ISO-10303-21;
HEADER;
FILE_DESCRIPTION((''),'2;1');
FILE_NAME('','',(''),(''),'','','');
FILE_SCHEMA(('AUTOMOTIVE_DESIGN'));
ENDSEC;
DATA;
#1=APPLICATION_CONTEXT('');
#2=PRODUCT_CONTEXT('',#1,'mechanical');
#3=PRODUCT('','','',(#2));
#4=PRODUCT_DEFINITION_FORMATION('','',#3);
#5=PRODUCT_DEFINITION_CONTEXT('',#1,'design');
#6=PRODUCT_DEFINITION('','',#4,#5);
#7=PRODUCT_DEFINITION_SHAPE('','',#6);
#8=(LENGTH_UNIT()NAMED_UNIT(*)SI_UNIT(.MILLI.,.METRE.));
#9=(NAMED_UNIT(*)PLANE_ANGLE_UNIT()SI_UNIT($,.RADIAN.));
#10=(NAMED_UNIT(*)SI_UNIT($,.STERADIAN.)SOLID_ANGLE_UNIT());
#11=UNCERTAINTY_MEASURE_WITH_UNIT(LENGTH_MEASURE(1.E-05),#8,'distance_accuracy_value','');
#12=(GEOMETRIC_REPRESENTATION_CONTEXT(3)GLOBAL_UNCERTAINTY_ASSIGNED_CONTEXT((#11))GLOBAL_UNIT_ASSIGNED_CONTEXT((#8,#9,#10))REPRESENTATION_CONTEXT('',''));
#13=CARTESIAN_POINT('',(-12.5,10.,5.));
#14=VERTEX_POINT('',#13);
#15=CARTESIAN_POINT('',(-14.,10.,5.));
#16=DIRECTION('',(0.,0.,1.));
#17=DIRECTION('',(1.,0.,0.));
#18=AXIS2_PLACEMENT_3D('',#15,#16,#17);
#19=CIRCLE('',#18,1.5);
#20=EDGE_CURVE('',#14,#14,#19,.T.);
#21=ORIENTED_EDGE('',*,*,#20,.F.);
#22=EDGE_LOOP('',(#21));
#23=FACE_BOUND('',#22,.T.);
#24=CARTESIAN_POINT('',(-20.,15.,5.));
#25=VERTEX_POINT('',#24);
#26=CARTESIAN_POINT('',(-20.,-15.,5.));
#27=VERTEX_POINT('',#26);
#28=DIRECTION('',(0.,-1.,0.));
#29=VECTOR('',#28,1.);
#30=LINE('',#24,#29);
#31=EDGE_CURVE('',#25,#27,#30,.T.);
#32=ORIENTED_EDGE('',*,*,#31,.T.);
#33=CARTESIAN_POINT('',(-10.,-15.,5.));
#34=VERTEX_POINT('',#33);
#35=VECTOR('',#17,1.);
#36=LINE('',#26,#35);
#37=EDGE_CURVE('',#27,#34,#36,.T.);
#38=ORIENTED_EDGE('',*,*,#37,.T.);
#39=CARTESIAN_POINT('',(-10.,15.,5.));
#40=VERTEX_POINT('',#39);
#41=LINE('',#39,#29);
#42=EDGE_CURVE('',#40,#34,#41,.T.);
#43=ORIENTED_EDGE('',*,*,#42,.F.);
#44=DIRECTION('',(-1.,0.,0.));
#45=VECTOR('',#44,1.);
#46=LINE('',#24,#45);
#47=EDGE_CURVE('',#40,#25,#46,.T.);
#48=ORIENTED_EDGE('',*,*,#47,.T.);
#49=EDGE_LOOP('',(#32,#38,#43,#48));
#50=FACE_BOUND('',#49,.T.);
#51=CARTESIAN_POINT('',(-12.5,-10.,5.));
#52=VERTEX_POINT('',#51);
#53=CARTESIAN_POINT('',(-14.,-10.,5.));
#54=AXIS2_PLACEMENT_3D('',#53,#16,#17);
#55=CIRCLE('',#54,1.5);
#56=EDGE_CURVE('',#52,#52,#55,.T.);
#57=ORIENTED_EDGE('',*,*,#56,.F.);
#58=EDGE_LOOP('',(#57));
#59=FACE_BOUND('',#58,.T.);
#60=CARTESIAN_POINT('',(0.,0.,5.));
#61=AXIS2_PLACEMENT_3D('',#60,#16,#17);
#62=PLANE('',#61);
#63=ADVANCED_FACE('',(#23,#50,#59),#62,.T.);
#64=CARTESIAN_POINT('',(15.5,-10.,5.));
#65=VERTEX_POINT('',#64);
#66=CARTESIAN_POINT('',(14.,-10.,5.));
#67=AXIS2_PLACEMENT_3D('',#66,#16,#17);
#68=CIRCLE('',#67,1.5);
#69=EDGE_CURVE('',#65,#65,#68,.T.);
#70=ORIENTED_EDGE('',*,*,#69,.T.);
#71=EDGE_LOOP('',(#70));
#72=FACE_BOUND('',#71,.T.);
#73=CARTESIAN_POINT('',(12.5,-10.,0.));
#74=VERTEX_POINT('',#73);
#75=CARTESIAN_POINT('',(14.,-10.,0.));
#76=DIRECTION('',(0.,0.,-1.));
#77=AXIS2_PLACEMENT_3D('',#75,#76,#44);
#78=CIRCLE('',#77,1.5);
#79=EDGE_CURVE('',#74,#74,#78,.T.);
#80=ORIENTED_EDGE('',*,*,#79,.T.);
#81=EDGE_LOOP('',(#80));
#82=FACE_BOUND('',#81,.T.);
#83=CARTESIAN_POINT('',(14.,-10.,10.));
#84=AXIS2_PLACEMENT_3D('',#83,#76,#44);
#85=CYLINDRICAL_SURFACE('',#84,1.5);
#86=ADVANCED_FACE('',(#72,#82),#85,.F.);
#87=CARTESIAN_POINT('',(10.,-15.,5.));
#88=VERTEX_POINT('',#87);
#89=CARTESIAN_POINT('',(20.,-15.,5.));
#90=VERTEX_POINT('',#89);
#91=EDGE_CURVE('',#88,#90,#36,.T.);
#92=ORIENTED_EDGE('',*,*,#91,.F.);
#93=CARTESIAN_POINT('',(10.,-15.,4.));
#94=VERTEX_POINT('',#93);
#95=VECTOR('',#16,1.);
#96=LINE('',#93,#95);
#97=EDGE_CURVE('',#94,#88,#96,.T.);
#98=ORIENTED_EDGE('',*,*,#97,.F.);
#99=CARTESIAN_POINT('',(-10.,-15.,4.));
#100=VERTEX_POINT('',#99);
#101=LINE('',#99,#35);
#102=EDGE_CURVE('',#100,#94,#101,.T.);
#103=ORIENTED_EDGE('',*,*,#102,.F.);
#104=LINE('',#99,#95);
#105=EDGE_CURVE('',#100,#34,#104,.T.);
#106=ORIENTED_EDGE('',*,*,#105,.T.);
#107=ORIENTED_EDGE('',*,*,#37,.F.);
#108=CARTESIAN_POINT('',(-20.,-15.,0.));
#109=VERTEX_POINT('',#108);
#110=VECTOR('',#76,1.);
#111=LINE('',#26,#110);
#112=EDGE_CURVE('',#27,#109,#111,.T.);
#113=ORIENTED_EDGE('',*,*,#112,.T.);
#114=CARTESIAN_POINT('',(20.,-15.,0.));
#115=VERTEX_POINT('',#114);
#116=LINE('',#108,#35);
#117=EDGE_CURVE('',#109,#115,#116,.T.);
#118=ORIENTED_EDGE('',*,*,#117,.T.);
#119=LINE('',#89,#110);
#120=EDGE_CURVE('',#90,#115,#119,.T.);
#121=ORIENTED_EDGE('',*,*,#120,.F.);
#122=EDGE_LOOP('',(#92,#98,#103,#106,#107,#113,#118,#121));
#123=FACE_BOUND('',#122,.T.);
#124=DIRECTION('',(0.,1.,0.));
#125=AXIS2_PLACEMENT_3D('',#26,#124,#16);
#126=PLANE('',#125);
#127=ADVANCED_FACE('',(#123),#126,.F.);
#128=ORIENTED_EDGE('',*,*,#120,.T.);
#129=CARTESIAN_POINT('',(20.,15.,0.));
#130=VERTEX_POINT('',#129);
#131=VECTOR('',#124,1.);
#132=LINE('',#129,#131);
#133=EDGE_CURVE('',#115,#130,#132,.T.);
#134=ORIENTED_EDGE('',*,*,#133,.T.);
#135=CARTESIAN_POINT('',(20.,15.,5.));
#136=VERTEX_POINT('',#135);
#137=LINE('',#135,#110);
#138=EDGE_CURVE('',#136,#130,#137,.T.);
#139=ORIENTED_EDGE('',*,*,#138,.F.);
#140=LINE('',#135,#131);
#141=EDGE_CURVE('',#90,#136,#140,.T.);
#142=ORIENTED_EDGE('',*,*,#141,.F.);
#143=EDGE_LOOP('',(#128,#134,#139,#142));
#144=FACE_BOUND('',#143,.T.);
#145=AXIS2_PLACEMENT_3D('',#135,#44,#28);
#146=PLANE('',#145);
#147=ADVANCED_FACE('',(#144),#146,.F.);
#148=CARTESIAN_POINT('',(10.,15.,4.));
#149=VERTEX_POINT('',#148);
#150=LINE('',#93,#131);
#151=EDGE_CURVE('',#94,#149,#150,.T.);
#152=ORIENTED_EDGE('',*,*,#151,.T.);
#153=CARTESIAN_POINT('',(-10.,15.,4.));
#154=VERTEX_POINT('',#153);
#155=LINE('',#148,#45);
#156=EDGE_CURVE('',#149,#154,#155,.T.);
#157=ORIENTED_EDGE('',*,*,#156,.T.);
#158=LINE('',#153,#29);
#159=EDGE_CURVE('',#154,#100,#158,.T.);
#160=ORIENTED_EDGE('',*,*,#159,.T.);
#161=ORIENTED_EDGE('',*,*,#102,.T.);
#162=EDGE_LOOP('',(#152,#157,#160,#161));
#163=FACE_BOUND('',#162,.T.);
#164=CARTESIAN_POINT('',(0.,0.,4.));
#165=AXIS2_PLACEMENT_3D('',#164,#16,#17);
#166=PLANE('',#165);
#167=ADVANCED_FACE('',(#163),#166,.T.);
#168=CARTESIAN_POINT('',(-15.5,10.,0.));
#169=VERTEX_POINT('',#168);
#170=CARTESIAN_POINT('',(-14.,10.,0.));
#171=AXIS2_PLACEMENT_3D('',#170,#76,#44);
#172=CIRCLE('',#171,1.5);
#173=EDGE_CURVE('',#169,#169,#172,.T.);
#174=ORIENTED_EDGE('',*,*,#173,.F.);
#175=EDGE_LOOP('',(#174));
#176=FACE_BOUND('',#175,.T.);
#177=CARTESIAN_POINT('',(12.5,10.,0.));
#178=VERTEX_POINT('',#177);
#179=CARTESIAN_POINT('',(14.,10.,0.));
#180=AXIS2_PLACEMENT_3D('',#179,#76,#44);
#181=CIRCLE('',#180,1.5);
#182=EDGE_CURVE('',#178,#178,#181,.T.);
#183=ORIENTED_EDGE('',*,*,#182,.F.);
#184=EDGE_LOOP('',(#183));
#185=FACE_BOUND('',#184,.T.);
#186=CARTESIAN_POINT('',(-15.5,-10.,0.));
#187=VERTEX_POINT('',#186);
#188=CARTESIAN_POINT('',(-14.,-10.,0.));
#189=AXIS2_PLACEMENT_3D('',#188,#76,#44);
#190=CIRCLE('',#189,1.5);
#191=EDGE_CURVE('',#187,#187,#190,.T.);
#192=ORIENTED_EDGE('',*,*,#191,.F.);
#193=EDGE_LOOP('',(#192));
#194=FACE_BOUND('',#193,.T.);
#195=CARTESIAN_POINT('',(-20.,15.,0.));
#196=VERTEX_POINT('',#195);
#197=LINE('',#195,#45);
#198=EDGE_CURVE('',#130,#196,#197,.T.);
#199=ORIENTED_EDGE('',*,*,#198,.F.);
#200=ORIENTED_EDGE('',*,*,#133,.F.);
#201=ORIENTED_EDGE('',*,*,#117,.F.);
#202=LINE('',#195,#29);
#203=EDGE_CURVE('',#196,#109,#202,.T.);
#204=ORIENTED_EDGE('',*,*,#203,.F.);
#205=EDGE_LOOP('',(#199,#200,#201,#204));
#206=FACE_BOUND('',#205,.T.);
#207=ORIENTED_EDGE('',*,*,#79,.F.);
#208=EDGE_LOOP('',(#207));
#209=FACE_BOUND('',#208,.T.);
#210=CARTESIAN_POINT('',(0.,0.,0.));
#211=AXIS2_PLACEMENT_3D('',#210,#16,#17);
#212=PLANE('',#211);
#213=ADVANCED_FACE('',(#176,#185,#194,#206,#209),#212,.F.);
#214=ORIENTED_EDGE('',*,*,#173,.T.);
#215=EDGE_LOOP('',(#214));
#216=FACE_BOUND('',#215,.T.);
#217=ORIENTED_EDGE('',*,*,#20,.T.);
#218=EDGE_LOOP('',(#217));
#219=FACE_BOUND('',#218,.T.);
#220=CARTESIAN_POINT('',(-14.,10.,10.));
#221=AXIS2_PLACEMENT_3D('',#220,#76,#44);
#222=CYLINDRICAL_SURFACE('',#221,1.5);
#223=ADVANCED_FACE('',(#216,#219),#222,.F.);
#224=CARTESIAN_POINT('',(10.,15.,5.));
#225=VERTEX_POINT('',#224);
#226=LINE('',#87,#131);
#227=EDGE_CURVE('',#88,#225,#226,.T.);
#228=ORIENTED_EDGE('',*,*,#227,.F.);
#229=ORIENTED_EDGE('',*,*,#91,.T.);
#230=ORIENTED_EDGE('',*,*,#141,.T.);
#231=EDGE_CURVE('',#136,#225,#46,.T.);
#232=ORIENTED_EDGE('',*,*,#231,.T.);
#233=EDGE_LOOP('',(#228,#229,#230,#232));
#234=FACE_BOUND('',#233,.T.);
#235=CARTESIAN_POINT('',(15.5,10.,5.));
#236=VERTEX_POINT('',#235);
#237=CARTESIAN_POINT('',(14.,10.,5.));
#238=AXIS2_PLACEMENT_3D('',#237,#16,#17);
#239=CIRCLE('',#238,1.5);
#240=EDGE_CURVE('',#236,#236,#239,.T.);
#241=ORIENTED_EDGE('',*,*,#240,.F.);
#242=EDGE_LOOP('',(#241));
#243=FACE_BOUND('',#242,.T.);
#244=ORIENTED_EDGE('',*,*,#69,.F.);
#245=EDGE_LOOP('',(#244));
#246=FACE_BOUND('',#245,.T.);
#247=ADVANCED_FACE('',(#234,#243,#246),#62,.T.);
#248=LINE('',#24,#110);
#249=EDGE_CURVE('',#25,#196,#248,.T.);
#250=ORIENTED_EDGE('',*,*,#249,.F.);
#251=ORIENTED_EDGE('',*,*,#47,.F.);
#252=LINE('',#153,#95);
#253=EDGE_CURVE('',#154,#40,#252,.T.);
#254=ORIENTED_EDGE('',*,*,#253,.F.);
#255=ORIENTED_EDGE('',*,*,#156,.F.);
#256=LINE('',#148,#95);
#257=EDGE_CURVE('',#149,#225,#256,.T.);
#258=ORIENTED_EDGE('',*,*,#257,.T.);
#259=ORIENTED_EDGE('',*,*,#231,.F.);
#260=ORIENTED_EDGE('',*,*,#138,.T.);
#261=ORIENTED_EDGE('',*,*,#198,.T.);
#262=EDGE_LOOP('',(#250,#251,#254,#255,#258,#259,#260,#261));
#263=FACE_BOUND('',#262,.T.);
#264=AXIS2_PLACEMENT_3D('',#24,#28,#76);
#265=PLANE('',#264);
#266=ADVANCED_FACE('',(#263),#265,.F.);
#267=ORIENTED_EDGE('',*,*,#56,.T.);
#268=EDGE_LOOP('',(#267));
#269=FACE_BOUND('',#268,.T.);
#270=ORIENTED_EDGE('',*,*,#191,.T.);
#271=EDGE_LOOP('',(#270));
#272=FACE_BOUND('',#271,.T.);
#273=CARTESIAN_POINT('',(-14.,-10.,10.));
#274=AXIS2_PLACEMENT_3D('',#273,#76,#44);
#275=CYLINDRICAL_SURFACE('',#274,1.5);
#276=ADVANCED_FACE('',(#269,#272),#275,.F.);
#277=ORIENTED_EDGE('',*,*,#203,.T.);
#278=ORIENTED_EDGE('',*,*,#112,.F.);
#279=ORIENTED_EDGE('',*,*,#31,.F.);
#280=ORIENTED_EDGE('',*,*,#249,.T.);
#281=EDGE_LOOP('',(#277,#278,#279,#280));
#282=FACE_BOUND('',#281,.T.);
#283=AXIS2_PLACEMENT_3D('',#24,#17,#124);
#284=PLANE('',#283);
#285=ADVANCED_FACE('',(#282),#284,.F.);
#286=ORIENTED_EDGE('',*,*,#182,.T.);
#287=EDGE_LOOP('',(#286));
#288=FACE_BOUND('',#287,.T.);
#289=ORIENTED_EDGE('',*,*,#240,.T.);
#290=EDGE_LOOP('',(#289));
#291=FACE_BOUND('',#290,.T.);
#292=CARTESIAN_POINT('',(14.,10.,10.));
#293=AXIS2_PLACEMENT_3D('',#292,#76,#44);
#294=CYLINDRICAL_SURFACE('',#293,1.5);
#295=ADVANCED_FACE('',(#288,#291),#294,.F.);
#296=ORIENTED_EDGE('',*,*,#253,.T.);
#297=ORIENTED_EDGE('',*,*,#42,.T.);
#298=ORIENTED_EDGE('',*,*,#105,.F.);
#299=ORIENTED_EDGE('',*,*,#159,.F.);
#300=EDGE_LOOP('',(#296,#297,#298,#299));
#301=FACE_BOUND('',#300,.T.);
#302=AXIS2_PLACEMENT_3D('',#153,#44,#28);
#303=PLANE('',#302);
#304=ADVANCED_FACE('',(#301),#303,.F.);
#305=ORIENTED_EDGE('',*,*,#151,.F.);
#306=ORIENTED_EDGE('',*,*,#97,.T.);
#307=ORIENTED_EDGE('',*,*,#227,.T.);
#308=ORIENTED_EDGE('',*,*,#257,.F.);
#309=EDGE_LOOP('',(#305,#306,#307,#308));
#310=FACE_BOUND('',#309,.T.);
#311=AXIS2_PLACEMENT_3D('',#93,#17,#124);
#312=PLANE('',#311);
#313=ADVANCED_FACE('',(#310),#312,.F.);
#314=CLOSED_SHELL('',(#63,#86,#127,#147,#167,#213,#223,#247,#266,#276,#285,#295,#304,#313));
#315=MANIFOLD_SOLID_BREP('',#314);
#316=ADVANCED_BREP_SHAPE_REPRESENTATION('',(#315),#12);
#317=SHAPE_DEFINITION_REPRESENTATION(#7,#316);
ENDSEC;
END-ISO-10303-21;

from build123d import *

# Parameters (mm, degrees)
SKETCH_1_W          = 40
SKETCH_1_H          = 30
EXTRUDE_1_DEPTH     = 5
SKETCH_2_R          = 1.5
CUT_EXTRUDE_1_DEPTH = 10
SKETCH_3_W          = 20
SKETCH_3_H          = 30
CUT_EXTRUDE_2_DEPTH = 1


with BuildPart() as part:
    # 草图1 → 凸台-拉伸1 (new body)
    with BuildSketch(Plane.XY):
        Rectangle(SKETCH_1_W, SKETCH_1_H)
    extrude(amount=EXTRUDE_1_DEPTH)

    # 草图2 → 切除-拉伸1 (cut)
    with BuildSketch(Plane(origin=(0, 0, 0), x_dir=(-1, 0, 0), z_dir=(0, 0, -1))):
        with Locations((14, 10)):
            Circle(SKETCH_2_R)
        with Locations((-14, 10)):
            Circle(SKETCH_2_R)
        with Locations((-14, -10)):
            Circle(SKETCH_2_R)
        with Locations((14, -10)):
            Circle(SKETCH_2_R)
    extrude(amount=-CUT_EXTRUDE_1_DEPTH, mode=Mode.SUBTRACT)

    # 草图3 → 切除-拉伸2 (cut)
    with BuildSketch(Plane.XY.offset(5)):
        Rectangle(SKETCH_3_W, SKETCH_3_H)
    extrude(amount=-CUT_EXTRUDE_2_DEPTH, mode=Mode.SUBTRACT)


solid = part.part
